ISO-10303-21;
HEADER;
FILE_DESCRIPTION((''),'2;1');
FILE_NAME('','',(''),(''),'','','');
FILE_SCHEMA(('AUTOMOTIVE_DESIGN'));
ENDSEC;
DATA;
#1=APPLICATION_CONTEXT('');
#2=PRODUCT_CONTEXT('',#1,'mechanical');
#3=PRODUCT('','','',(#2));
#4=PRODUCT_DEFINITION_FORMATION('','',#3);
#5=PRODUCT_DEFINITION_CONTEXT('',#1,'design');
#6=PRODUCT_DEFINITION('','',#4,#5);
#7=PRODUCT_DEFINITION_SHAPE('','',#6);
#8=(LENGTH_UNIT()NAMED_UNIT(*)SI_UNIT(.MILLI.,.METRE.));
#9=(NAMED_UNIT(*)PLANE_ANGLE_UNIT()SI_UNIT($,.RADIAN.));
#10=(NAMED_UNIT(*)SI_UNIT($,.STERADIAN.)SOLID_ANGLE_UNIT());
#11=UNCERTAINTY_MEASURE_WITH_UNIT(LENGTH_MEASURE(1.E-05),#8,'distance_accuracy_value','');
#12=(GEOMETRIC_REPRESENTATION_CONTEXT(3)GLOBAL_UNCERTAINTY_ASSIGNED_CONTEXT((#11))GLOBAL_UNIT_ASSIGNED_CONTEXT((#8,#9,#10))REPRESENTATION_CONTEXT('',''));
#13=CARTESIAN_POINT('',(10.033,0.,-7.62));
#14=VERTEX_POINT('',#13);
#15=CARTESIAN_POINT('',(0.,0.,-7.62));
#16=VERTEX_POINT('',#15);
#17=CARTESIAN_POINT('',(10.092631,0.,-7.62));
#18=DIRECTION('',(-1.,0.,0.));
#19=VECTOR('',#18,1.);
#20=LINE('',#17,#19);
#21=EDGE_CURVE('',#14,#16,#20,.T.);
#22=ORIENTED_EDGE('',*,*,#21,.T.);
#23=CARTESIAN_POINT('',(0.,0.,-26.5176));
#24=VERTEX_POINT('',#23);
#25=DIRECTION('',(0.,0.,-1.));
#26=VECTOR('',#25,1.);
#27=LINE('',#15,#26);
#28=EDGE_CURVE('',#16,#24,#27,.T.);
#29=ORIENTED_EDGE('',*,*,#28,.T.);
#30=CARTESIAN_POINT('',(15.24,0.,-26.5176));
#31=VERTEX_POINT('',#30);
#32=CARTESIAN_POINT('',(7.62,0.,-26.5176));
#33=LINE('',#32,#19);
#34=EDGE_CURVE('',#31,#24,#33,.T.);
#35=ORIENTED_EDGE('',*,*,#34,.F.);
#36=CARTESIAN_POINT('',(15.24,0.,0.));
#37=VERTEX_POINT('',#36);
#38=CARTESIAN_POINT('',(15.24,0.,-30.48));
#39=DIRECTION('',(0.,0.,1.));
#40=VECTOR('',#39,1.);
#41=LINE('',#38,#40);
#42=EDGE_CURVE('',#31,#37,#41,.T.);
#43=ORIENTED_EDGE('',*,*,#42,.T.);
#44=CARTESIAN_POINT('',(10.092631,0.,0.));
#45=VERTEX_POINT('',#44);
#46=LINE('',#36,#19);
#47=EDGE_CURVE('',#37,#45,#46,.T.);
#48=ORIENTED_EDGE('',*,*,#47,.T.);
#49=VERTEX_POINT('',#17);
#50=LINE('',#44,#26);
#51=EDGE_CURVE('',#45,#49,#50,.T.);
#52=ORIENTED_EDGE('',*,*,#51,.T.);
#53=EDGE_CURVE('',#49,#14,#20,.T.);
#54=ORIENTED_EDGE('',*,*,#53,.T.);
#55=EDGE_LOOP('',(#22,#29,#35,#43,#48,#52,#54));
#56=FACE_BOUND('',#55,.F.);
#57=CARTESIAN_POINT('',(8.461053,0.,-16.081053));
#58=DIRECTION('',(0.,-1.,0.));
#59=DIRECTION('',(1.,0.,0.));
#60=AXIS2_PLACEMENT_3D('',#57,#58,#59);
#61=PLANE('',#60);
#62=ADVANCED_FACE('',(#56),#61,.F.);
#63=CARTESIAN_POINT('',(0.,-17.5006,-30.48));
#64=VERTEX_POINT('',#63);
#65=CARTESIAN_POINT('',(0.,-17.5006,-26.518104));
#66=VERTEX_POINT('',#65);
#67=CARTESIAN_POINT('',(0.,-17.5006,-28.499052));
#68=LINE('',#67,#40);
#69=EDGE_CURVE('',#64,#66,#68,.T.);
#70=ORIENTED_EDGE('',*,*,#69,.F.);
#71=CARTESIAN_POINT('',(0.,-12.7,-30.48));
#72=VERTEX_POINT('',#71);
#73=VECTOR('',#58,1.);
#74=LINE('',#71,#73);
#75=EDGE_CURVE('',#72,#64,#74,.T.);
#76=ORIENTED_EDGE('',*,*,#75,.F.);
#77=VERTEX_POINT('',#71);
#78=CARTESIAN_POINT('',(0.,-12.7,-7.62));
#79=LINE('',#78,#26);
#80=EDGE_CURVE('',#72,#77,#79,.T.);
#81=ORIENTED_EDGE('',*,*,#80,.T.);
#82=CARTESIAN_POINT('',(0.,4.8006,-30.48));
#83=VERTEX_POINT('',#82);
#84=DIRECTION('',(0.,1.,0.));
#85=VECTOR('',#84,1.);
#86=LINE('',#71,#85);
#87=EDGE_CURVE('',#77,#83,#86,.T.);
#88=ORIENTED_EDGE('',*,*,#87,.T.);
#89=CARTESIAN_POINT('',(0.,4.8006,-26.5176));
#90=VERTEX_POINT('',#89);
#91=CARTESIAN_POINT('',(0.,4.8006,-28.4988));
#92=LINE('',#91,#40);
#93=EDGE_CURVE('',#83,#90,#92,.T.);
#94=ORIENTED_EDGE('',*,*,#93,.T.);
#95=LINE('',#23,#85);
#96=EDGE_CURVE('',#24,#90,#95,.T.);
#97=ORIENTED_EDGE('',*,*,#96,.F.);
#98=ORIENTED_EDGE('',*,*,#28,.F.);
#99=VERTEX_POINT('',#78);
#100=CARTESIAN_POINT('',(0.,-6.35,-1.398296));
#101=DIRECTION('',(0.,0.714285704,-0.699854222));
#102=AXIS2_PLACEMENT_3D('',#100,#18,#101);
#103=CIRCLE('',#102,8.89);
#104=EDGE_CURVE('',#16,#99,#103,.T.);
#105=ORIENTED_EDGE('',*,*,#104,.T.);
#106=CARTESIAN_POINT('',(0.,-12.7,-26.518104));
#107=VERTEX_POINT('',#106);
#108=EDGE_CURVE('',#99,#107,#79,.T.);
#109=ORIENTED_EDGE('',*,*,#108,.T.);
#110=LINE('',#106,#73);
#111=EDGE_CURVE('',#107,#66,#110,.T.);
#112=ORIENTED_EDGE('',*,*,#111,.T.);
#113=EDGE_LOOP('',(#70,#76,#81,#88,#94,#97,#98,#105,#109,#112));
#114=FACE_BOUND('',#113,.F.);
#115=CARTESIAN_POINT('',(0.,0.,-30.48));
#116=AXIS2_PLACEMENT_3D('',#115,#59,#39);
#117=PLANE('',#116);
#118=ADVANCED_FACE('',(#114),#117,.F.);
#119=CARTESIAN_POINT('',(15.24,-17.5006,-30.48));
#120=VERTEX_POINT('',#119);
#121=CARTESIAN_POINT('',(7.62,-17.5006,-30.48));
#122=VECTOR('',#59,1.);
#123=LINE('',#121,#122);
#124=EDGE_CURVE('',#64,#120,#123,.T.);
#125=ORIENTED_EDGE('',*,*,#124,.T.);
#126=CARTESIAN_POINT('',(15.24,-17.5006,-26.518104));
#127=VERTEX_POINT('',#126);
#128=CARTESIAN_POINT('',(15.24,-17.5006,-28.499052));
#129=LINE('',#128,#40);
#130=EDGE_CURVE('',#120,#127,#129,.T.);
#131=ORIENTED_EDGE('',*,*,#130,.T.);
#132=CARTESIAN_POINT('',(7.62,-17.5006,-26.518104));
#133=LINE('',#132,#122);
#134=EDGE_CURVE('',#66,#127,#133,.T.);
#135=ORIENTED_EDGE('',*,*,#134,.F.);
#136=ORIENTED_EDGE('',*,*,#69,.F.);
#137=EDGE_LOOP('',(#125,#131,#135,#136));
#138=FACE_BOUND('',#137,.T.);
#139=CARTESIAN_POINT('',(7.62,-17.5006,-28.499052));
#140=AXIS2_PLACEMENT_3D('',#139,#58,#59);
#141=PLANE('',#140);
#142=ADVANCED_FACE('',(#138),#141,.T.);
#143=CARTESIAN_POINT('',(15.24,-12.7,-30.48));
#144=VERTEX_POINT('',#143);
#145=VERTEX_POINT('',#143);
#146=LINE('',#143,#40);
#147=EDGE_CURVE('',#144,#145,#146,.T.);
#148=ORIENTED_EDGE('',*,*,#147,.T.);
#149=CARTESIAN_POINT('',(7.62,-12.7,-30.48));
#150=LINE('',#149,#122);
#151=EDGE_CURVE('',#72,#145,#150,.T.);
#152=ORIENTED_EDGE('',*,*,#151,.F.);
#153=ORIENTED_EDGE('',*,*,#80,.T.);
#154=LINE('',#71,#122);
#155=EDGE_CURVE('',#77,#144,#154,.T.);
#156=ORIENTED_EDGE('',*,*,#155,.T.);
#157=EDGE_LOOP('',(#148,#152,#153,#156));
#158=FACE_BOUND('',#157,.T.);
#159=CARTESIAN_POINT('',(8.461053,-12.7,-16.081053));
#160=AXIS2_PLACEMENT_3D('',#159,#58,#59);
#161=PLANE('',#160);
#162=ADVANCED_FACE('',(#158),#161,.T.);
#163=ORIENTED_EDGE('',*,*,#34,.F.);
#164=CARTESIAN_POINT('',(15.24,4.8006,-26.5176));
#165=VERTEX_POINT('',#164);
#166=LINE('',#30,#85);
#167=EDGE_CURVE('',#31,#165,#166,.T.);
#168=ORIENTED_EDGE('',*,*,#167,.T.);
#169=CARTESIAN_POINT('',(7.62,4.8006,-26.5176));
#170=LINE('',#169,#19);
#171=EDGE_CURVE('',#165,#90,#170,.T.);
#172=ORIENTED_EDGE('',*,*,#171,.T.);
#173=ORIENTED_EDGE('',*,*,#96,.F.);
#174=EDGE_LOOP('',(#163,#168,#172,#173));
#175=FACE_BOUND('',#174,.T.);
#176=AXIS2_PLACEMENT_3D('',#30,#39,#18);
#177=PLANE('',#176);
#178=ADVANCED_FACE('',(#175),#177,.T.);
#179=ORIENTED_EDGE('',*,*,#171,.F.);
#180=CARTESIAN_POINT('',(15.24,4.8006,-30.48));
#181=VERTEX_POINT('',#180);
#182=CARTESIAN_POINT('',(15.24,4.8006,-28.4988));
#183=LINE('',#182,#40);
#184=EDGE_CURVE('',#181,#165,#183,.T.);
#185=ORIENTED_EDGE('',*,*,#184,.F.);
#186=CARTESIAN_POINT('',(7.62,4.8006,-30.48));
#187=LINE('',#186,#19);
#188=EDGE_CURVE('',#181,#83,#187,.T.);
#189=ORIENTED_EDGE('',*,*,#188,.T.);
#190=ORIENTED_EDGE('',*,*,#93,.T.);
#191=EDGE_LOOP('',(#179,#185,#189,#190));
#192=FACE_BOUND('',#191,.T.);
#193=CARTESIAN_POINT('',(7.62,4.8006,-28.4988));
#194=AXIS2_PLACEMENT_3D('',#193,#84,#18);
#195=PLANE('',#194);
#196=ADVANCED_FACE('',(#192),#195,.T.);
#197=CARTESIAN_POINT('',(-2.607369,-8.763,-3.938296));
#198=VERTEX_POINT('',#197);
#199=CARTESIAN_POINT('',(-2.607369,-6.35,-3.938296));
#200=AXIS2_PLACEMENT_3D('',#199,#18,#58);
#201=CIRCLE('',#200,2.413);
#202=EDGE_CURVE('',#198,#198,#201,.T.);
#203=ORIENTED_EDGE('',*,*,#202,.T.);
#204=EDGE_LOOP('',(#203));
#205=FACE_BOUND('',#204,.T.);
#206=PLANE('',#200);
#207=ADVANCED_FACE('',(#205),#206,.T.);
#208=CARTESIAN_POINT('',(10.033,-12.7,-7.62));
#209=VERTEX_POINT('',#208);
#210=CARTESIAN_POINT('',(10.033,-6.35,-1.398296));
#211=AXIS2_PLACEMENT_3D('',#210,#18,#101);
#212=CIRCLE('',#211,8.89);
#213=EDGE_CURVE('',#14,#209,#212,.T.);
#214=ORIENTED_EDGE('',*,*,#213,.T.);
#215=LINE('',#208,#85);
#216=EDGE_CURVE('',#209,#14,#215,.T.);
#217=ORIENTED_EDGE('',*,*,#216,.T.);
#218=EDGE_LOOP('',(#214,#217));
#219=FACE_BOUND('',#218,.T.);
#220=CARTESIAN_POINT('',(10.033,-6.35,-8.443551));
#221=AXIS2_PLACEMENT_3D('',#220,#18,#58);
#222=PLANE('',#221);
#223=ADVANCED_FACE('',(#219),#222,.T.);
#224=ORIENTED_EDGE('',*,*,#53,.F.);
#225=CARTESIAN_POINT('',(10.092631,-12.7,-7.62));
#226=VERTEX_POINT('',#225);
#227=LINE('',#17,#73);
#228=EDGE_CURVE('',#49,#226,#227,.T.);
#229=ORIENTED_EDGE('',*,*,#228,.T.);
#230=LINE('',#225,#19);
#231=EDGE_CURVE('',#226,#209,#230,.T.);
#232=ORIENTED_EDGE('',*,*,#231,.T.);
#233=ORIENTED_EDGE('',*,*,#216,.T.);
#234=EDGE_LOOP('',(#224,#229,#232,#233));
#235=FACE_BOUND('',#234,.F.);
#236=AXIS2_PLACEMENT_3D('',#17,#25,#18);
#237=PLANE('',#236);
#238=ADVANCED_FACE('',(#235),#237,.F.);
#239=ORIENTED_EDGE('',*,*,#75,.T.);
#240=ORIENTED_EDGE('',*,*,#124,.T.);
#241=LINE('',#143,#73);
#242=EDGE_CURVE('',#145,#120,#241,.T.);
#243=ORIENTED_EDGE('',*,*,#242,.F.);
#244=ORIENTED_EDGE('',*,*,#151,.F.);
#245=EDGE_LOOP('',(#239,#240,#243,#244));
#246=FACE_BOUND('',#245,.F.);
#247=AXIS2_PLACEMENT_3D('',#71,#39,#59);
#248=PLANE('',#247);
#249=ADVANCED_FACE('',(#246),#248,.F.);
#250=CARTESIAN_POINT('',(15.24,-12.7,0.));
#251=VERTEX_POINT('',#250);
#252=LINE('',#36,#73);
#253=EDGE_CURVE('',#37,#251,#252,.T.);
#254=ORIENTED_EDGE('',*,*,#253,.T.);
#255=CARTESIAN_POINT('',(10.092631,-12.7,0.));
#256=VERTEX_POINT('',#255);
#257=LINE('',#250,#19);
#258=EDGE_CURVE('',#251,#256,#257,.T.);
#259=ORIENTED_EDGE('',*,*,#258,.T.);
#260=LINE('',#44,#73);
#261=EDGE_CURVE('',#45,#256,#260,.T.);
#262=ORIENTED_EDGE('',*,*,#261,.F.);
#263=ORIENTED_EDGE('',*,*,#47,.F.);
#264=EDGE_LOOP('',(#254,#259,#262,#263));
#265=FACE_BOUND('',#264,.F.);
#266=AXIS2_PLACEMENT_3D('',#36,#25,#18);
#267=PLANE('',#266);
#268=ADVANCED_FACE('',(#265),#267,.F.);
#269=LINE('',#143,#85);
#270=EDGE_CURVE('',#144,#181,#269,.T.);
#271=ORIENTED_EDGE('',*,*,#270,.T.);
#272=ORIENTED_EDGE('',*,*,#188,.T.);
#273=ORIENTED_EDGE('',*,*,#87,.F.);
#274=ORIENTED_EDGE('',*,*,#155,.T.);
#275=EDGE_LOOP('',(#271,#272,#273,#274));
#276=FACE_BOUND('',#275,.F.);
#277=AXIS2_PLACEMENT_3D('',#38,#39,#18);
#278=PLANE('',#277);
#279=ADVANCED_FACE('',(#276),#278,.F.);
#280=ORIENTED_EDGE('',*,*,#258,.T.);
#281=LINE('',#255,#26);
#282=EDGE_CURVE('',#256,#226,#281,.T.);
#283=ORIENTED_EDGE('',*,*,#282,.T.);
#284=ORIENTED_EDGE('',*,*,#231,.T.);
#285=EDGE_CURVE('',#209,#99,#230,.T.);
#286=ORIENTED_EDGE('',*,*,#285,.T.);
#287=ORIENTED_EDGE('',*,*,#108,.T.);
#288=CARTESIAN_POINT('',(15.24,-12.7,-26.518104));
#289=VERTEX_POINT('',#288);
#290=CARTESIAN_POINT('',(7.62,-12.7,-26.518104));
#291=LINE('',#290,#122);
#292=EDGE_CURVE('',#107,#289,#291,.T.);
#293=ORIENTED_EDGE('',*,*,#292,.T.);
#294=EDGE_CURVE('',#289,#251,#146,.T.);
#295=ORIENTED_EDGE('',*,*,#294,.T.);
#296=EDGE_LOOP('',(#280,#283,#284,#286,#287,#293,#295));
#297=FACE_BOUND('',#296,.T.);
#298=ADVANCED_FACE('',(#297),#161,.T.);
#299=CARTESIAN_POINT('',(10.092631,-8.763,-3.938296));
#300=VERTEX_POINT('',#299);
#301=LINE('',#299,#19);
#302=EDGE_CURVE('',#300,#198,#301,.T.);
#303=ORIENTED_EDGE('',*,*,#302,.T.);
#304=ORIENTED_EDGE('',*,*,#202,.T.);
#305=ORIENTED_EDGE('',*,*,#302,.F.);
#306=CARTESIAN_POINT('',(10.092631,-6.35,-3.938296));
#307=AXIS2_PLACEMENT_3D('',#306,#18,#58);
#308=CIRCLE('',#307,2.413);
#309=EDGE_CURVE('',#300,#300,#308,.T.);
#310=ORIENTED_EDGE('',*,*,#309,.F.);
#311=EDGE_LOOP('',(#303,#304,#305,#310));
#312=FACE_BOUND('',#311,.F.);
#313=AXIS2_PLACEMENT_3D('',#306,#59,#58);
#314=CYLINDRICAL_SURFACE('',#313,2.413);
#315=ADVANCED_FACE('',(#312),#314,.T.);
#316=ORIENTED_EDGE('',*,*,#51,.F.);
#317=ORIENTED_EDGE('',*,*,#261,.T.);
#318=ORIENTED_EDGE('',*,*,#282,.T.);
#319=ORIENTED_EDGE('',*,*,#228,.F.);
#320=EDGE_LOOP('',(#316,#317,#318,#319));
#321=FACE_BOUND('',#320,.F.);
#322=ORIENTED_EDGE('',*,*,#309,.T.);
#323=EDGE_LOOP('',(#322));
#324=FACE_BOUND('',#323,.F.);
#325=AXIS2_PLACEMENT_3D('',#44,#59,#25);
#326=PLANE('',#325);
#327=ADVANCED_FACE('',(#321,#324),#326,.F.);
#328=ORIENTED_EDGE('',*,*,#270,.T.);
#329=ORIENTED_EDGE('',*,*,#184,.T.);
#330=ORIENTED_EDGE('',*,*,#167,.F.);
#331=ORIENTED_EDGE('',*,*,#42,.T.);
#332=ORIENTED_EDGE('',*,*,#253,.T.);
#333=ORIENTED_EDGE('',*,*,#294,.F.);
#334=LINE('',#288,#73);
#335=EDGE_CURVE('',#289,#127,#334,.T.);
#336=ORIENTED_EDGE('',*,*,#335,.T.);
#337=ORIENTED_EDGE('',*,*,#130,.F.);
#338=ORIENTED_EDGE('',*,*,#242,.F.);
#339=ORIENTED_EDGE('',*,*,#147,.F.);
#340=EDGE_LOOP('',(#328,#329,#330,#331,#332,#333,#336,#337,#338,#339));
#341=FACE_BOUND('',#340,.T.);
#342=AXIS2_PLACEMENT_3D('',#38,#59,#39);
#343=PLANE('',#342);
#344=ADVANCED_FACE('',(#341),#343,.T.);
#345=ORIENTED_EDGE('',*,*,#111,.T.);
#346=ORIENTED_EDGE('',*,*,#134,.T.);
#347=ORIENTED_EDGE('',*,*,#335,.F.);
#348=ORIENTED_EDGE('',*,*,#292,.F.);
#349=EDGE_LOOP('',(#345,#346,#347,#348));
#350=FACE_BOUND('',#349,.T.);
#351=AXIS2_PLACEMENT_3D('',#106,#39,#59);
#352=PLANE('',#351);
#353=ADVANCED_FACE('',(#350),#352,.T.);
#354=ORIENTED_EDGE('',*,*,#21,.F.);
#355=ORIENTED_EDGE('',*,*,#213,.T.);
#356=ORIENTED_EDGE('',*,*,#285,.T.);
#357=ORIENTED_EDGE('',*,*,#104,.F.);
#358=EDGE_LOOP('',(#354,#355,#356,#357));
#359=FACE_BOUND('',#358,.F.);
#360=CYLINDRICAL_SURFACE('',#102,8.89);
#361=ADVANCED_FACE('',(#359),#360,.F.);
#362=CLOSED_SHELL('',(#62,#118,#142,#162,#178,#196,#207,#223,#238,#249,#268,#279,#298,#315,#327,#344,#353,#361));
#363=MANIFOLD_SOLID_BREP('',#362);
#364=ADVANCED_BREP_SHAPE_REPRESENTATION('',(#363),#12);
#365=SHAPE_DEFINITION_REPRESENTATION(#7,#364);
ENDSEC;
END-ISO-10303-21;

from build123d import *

# Parameters (mm, degrees)
F1_DEPTH = 12.7
F2_W     = 15.24
F2_H     = 3.961895
F3_DEPTH = 4.8006
F5_DEPTH = 10.033
F6_R     = 2.413
F7_DEPTH = 12.7
F8_W     = 15.24
F8_H     = 3.9624
F9_DEPTH = 4.8006


with BuildPart() as f1:
    # F0 (on Front) → F1 (new body)
    with BuildSketch(Plane.XZ):
        Polygon((15.24, 0), (10.092631, 0), (10.092631, -7.62), (0, -7.62), (0, -30.48), (15.24, -30.48), align=None)
    extrude(amount=F1_DEPTH)

    # F2 (on face) → F3 (join)
    with BuildSketch(Plane.XZ.offset(12.7)):
        with Locations((7.62, -28.499052)):
            Rectangle(F2_W, F2_H)
    extrude(amount=F3_DEPTH)

    # F4 (on face) → F5 (cut)
    with BuildSketch(Plane(origin=(0, 0, 0), x_dir=(0, -1, 0), z_dir=(-1, 0, 0))):
        with BuildLine():
            Line((12.7, -7.62), (0, -7.62))
            ThreePointArc((0, -7.62), (6.35, -10.288296), (12.7, -7.62))
        make_face()
    extrude(amount=-F5_DEPTH, mode=Mode.SUBTRACT)

    # F6 (on face) → F7 (join)
    with BuildSketch(Plane(origin=(10.092631, 0, 0), x_dir=(0, -1, 0), z_dir=(-1, 0, 0))):
        with Locations((6.35, -3.938296)):
            Circle(F6_R)
    extrude(amount=F7_DEPTH)

    # F8 (on face) → F9 (join)
    with BuildSketch(Plane(origin=(0, 0, 0), x_dir=(-1, 0, 0), z_dir=(0, 1, 0))):
        with Locations((-7.62, -28.4988)):
            Rectangle(F8_W, F8_H)
    extrude(amount=F9_DEPTH)


solid = f1.part
